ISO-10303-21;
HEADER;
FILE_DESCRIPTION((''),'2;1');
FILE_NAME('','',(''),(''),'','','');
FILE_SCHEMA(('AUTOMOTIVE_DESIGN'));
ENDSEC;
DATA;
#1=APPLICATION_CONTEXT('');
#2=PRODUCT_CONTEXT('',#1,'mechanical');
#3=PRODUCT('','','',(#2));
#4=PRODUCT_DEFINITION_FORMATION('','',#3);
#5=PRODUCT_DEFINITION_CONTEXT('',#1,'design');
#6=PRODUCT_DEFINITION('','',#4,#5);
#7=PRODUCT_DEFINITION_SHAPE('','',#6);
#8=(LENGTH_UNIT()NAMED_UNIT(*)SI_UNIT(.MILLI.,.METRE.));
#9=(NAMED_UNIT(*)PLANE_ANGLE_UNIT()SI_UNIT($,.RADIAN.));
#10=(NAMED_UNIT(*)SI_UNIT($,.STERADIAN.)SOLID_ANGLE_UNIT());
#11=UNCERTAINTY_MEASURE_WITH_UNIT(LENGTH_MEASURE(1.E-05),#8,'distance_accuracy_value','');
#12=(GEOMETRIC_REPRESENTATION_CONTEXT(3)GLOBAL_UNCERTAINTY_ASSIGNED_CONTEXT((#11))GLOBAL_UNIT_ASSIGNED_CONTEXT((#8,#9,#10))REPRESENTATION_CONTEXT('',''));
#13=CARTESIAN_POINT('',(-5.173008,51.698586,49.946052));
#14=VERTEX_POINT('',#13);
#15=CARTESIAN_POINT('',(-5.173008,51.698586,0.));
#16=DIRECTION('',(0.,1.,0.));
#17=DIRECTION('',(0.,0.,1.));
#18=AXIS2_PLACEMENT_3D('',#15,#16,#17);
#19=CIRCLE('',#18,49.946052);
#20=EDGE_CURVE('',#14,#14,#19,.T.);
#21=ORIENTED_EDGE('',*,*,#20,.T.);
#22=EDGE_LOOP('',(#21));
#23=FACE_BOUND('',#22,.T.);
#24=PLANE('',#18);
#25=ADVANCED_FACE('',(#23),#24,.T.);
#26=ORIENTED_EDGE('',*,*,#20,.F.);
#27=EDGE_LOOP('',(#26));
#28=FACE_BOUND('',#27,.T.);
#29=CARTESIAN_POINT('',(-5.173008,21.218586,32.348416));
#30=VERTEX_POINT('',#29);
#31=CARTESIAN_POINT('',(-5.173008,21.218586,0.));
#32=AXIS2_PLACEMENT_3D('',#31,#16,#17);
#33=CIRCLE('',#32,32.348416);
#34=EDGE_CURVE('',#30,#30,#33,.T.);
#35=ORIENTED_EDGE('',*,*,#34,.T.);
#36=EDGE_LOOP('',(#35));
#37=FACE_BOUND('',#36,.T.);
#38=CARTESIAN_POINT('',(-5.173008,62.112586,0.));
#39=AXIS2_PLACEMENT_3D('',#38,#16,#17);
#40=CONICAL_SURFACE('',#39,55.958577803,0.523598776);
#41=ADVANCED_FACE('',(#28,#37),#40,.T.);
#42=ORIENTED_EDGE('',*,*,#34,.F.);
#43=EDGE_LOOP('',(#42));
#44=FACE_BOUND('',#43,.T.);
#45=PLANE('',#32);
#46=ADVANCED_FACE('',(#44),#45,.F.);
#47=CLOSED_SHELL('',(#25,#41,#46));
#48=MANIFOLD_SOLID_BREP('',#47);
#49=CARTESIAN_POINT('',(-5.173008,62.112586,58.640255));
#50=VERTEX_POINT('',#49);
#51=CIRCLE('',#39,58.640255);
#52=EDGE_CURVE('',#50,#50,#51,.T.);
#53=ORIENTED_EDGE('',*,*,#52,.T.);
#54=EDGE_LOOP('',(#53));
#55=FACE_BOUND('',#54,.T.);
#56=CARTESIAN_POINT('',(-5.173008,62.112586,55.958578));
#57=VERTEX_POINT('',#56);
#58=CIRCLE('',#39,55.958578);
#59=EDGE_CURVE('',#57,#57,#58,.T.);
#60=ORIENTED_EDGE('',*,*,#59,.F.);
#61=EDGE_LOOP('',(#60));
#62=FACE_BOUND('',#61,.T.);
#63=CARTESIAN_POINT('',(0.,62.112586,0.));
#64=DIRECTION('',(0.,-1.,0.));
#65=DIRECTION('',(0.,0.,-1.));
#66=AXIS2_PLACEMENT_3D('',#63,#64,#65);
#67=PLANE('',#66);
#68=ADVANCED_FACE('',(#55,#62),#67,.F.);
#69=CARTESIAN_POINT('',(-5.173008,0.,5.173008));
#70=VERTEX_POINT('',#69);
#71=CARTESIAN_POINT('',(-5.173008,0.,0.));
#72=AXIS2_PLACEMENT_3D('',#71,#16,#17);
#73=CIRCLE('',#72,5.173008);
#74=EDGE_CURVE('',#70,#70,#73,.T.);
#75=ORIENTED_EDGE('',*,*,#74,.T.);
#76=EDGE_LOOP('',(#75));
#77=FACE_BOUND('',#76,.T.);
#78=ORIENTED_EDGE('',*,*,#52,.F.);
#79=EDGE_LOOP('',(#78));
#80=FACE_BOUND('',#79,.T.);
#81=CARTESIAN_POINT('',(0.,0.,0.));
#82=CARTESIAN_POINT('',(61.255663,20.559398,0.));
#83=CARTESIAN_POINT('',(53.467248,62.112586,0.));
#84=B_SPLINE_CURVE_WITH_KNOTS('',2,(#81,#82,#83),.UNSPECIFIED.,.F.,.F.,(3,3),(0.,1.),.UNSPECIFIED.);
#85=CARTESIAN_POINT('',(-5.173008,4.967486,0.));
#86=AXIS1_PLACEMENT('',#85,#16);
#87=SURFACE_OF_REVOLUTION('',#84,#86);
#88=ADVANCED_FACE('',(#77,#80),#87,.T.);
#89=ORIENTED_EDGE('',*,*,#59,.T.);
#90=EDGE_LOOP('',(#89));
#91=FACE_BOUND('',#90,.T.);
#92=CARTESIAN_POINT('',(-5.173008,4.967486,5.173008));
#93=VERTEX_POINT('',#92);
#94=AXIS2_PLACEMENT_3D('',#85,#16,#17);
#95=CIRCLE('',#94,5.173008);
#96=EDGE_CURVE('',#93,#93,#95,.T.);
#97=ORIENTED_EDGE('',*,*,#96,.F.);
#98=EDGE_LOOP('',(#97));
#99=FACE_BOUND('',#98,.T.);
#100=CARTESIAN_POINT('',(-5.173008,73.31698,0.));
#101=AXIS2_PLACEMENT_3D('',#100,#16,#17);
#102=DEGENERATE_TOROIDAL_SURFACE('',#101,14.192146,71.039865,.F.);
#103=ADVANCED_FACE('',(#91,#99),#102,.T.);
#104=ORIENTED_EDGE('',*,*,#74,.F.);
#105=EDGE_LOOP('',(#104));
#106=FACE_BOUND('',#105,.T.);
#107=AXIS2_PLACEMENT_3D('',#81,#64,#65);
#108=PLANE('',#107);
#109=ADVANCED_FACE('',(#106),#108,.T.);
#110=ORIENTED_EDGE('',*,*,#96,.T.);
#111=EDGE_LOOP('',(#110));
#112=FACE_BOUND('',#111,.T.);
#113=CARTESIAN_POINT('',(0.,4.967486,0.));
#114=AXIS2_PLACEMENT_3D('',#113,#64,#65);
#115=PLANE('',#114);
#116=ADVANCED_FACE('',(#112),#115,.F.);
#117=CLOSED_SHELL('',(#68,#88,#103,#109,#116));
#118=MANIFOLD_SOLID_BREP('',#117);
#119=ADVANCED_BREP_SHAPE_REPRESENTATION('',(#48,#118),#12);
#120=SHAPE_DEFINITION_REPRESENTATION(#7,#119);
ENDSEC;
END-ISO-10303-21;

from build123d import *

# Parameters (mm, degrees)
SKETCH2_W           = 5.1730077
SKETCH2_H           = 4.967486285
SKETCH3_R           = 55.958577803
BOSS_EXTRUDE6_DEPTH = 40.894
BOSS_EXTRUDE6_DRAFT = -30
SKETCH4_R           = 55.958577803
CUT_EXTRUDE1_DEPTH  = 10.414
CUT_EXTRUDE1_DRAFT  = -30


with BuildPart() as part:
    # Sketch2 → Revolve6 (revolve)
    with BuildSketch(Plane.XY, mode=Mode.PRIVATE) as revolve6_sk:
        with BuildLine():
            Line((0, 0), (0, 4.967486285))
            ThreePointArc((0, 4.967486285), (33.735351897, 26.125891978), (50.785570102, 62.112586162))
            Line((50.785570102, 62.112586162), (53.467247511, 62.112586162))
            add(Edge.make_bspline(
                [(0, 0), (61.255663305, 20.559397644), (53.467247511, 62.112586162)],
                knots=[0, 0, 0, 1, 1, 1], degree=2))
        make_face()
        with Locations((-2.58650385, 2.483743143)):
            Rectangle(SKETCH2_W, SKETCH2_H)
    revolve(revolve6_sk.sketch.rotate(Axis((-5.1730077, 4.967486285, 0), (0, -1, 0)), 90), axis=Axis((-5.1730077, 4.967486285, 0), (0, -1, 0)))


with BuildPart() as body_2:
    # Sketch3 → Boss-Extrude6 (with draft: the straight prism first)
    with BuildSketch(Plane(origin=(0, 62.112586162, 0), x_dir=(1, 0, 0), z_dir=(0, 1, 0))):
        with Locations((-5.1730077, 0)):
            Circle(SKETCH3_R)
    extrude(amount=-BOSS_EXTRUDE6_DEPTH)
    # Boss-Extrude6: the draft: its side faces are tilted about the plane it starts from
    boss_extrude6_sides = [body_2.faces().sort_by_distance(p)[0] for p in [
        (-61.131585503, 41.665586162, 0),
    ]]
    draft(boss_extrude6_sides, Plane(origin=(0, 62.112586162, 0), x_dir=(1, 0, 0), z_dir=(0, 1, 0)), BOSS_EXTRUDE6_DRAFT)


with BuildPart() as cut_extrude1_tool:
    # Sketch4 → Cut-Extrude1 (with draft: the straight prism first)
    with BuildSketch(Plane(origin=(0, 62.112586162, 0), x_dir=(1, 0, 0), z_dir=(0, 1, 0))):
        with Locations((-5.1730077, 0)):
            Circle(SKETCH4_R)
    extrude(amount=-CUT_EXTRUDE1_DEPTH)
    # Cut-Extrude1: the draft: its side faces are tilted about the plane it starts from
    cut_extrude1_sides = [cut_extrude1_tool.faces().sort_by_distance(p)[0] for p in [
        (-61.131585503, 56.905586162, 0),
    ]]
    draft(cut_extrude1_sides, Plane(origin=(0, 62.112586162, 0), x_dir=(1, 0, 0), z_dir=(0, 1, 0)), CUT_EXTRUDE1_DRAFT)


with BuildPart() as body_2_1:
    add(body_2.part)

    # Cut-Extrude1: cut by cut_extrude1_tool
    add(cut_extrude1_tool.part, mode=Mode.SUBTRACT)


solid = Compound([part.part, body_2_1.part])
